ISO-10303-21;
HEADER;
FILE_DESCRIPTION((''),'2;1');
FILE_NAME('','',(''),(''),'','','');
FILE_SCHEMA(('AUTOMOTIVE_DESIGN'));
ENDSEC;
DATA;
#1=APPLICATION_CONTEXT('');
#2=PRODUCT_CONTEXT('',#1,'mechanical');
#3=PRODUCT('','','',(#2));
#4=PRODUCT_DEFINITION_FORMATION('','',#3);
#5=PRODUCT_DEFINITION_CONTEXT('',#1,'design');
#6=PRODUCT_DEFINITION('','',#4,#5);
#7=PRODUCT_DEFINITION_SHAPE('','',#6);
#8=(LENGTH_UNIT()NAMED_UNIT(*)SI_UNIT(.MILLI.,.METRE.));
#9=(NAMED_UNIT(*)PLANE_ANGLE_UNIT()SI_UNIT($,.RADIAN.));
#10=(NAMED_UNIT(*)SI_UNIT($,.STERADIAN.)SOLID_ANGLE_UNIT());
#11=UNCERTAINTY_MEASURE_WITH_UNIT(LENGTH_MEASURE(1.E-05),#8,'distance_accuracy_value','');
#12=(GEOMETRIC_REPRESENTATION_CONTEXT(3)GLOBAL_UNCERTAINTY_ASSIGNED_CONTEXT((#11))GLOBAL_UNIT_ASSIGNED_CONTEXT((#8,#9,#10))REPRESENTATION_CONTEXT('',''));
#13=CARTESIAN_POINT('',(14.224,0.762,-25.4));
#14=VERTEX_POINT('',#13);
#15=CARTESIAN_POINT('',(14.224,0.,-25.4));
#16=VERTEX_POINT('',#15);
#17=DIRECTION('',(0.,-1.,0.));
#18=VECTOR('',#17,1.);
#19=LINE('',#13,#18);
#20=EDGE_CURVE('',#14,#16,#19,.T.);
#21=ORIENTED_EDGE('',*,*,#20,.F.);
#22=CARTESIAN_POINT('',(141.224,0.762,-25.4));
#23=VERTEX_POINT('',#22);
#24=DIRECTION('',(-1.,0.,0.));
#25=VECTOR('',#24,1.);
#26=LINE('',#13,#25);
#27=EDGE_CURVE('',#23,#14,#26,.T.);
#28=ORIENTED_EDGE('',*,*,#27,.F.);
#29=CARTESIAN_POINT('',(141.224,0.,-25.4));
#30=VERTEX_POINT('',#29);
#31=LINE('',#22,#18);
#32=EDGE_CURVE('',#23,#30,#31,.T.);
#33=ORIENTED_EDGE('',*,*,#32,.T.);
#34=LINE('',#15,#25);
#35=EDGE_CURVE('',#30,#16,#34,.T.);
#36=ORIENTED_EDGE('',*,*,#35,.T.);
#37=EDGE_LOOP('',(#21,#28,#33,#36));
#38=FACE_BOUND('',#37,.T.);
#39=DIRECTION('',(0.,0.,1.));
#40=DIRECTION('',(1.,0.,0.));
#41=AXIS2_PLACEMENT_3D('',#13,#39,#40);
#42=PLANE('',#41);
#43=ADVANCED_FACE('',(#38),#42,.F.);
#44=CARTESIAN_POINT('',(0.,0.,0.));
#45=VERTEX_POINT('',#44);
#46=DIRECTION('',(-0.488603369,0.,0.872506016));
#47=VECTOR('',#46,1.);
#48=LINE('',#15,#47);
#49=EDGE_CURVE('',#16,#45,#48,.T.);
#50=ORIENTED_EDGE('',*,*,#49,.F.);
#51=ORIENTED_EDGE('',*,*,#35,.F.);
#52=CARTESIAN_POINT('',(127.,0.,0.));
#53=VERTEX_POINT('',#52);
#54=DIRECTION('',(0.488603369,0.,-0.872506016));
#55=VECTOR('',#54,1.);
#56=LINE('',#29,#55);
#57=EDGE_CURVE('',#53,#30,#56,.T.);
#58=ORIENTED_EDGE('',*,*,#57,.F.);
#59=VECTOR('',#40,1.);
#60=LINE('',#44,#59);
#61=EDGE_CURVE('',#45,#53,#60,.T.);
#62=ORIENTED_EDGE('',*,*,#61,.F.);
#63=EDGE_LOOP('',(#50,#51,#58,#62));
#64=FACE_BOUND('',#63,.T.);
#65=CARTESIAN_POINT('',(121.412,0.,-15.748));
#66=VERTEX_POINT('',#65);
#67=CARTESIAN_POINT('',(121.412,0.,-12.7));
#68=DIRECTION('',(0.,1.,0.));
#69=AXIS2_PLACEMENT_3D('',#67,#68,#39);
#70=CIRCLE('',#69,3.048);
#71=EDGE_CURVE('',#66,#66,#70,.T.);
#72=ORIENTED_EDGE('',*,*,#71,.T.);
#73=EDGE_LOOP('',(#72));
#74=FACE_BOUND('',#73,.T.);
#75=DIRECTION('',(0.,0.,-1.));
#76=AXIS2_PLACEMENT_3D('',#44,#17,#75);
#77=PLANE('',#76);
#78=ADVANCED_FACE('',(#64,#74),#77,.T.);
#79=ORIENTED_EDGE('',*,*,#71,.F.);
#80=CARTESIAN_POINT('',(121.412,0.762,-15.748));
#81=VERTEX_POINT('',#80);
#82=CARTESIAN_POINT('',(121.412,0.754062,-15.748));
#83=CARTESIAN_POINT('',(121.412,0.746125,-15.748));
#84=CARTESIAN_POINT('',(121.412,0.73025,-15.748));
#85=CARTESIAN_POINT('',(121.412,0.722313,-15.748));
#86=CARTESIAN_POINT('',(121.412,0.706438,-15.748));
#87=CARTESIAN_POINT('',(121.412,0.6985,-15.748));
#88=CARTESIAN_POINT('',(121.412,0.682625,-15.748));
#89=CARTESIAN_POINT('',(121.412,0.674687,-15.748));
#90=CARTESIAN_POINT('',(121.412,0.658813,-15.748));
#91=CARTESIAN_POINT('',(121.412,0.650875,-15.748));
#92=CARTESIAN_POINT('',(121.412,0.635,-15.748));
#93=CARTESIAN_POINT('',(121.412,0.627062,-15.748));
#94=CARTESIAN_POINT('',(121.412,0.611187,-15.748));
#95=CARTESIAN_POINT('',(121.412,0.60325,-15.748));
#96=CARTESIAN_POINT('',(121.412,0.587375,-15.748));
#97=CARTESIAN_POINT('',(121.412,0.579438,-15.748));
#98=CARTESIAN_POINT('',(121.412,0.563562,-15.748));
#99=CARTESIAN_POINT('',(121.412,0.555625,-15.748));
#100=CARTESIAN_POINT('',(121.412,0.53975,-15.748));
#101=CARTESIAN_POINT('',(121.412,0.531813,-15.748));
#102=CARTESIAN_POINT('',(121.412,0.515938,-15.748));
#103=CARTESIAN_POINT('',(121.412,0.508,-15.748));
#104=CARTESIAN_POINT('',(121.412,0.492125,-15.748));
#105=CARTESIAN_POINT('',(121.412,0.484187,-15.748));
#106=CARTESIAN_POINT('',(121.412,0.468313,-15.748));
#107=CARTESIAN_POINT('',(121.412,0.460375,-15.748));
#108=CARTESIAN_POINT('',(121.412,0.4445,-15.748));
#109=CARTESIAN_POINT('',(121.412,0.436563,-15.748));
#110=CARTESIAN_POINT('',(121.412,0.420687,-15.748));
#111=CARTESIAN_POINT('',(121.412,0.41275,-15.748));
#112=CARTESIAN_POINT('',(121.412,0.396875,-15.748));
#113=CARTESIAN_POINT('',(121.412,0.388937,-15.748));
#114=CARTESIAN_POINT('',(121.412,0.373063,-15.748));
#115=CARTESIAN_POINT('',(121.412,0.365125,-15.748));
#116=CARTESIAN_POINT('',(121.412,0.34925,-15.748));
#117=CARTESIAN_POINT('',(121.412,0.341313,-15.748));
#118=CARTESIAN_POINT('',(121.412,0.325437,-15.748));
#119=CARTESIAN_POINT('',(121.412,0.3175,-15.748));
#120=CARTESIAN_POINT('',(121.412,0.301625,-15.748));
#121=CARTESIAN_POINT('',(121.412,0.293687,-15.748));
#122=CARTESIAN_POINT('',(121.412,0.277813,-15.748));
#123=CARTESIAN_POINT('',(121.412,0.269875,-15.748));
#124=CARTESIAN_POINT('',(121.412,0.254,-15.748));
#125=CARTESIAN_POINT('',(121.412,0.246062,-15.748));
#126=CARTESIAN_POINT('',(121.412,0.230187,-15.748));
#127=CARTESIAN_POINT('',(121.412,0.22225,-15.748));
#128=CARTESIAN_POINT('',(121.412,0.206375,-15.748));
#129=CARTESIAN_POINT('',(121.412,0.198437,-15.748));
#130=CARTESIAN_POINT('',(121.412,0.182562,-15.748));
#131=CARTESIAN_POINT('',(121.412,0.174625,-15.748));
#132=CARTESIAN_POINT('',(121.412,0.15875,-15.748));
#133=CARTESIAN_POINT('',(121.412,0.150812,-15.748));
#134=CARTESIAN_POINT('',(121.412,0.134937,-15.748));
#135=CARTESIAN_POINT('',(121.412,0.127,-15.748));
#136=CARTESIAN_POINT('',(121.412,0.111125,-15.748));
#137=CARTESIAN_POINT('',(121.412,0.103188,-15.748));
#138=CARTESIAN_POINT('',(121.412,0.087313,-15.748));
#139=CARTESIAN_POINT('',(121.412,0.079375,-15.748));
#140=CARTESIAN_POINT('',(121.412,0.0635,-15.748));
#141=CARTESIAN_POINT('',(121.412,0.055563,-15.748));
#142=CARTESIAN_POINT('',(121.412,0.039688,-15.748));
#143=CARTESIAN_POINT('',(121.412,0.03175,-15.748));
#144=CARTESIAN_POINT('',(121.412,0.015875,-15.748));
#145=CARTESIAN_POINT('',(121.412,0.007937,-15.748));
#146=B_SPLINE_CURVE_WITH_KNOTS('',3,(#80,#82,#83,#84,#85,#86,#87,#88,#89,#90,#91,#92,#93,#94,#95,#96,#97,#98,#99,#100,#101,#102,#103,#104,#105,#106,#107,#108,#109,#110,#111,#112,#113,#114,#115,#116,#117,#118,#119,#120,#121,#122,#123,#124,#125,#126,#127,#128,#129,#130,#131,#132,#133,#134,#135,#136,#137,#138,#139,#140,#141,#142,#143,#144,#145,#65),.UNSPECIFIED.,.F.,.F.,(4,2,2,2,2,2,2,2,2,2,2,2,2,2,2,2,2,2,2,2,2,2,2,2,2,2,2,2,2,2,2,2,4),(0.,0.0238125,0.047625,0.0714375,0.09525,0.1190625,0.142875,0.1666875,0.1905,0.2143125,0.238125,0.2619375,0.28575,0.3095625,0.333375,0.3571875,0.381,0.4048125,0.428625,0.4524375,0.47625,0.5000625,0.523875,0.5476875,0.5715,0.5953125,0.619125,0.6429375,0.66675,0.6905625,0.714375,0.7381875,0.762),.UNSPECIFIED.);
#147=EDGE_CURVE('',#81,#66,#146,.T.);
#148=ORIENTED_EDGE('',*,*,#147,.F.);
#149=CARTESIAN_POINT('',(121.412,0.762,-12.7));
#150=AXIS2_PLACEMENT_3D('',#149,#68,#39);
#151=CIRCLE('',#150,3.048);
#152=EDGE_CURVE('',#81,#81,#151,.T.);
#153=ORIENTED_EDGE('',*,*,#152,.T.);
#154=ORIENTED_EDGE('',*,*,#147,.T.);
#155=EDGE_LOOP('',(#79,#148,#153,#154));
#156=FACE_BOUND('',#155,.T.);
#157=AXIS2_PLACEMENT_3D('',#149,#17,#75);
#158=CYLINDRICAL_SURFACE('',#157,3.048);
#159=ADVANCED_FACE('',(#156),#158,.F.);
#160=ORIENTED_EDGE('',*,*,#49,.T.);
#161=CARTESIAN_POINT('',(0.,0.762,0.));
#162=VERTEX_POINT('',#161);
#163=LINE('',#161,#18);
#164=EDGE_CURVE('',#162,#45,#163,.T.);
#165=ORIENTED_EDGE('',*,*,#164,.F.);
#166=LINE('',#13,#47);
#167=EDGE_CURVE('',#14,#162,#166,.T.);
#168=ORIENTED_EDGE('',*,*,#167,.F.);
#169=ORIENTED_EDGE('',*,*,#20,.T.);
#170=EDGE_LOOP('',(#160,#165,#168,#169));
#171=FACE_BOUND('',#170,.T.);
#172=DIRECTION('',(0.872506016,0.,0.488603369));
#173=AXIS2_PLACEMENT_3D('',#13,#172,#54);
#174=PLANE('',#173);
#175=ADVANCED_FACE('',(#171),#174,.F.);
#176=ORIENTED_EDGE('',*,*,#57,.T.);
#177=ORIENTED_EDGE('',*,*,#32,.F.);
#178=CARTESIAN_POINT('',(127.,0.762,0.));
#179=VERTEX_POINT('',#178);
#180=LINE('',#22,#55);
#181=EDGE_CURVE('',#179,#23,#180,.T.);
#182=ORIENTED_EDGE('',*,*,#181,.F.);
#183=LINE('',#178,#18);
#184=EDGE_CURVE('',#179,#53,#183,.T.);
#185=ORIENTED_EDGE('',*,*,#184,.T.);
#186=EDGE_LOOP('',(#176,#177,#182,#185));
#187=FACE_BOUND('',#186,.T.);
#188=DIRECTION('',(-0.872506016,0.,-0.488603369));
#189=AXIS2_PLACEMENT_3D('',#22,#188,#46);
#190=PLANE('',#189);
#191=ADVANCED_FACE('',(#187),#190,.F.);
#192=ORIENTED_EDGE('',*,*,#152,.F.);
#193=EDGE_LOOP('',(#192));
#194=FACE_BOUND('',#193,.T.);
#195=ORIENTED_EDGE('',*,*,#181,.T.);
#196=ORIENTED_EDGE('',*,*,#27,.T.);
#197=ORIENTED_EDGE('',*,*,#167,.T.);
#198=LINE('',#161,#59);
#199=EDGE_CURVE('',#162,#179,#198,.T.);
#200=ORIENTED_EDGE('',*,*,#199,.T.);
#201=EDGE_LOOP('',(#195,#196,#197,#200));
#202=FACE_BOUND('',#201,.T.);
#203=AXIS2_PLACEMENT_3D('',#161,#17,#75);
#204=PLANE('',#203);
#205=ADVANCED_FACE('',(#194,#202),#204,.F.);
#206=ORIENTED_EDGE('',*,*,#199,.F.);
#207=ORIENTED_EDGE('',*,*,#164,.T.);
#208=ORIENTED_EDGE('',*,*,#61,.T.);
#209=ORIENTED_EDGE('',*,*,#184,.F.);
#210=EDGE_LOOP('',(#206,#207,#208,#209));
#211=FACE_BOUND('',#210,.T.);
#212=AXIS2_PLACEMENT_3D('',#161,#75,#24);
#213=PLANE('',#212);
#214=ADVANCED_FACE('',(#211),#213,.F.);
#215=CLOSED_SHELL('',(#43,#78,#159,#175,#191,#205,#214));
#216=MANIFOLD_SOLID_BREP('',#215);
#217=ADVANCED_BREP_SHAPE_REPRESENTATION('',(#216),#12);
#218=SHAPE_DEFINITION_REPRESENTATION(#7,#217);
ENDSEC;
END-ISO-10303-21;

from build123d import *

# Parameters (mm, degrees)
SKETCH1_R           = 3.048
BOSS_EXTRUDE1_DEPTH = 0.762


with BuildPart() as part:
    # Sketch1 → Boss-Extrude1 (new body)
    with BuildSketch(Plane(origin=(0, 0, 0), x_dir=(1, 0, 0), z_dir=(0, 1, 0))):
        Polygon((14.224, 25.4), (0, 0), (127, 0), (141.224, 25.4), align=None)
        with Locations(Location((121.412, 12.7, 0), (0, 0, 90))):
            Circle(SKETCH1_R, mode=Mode.SUBTRACT)
    extrude(amount=BOSS_EXTRUDE1_DEPTH)


solid = part.part
